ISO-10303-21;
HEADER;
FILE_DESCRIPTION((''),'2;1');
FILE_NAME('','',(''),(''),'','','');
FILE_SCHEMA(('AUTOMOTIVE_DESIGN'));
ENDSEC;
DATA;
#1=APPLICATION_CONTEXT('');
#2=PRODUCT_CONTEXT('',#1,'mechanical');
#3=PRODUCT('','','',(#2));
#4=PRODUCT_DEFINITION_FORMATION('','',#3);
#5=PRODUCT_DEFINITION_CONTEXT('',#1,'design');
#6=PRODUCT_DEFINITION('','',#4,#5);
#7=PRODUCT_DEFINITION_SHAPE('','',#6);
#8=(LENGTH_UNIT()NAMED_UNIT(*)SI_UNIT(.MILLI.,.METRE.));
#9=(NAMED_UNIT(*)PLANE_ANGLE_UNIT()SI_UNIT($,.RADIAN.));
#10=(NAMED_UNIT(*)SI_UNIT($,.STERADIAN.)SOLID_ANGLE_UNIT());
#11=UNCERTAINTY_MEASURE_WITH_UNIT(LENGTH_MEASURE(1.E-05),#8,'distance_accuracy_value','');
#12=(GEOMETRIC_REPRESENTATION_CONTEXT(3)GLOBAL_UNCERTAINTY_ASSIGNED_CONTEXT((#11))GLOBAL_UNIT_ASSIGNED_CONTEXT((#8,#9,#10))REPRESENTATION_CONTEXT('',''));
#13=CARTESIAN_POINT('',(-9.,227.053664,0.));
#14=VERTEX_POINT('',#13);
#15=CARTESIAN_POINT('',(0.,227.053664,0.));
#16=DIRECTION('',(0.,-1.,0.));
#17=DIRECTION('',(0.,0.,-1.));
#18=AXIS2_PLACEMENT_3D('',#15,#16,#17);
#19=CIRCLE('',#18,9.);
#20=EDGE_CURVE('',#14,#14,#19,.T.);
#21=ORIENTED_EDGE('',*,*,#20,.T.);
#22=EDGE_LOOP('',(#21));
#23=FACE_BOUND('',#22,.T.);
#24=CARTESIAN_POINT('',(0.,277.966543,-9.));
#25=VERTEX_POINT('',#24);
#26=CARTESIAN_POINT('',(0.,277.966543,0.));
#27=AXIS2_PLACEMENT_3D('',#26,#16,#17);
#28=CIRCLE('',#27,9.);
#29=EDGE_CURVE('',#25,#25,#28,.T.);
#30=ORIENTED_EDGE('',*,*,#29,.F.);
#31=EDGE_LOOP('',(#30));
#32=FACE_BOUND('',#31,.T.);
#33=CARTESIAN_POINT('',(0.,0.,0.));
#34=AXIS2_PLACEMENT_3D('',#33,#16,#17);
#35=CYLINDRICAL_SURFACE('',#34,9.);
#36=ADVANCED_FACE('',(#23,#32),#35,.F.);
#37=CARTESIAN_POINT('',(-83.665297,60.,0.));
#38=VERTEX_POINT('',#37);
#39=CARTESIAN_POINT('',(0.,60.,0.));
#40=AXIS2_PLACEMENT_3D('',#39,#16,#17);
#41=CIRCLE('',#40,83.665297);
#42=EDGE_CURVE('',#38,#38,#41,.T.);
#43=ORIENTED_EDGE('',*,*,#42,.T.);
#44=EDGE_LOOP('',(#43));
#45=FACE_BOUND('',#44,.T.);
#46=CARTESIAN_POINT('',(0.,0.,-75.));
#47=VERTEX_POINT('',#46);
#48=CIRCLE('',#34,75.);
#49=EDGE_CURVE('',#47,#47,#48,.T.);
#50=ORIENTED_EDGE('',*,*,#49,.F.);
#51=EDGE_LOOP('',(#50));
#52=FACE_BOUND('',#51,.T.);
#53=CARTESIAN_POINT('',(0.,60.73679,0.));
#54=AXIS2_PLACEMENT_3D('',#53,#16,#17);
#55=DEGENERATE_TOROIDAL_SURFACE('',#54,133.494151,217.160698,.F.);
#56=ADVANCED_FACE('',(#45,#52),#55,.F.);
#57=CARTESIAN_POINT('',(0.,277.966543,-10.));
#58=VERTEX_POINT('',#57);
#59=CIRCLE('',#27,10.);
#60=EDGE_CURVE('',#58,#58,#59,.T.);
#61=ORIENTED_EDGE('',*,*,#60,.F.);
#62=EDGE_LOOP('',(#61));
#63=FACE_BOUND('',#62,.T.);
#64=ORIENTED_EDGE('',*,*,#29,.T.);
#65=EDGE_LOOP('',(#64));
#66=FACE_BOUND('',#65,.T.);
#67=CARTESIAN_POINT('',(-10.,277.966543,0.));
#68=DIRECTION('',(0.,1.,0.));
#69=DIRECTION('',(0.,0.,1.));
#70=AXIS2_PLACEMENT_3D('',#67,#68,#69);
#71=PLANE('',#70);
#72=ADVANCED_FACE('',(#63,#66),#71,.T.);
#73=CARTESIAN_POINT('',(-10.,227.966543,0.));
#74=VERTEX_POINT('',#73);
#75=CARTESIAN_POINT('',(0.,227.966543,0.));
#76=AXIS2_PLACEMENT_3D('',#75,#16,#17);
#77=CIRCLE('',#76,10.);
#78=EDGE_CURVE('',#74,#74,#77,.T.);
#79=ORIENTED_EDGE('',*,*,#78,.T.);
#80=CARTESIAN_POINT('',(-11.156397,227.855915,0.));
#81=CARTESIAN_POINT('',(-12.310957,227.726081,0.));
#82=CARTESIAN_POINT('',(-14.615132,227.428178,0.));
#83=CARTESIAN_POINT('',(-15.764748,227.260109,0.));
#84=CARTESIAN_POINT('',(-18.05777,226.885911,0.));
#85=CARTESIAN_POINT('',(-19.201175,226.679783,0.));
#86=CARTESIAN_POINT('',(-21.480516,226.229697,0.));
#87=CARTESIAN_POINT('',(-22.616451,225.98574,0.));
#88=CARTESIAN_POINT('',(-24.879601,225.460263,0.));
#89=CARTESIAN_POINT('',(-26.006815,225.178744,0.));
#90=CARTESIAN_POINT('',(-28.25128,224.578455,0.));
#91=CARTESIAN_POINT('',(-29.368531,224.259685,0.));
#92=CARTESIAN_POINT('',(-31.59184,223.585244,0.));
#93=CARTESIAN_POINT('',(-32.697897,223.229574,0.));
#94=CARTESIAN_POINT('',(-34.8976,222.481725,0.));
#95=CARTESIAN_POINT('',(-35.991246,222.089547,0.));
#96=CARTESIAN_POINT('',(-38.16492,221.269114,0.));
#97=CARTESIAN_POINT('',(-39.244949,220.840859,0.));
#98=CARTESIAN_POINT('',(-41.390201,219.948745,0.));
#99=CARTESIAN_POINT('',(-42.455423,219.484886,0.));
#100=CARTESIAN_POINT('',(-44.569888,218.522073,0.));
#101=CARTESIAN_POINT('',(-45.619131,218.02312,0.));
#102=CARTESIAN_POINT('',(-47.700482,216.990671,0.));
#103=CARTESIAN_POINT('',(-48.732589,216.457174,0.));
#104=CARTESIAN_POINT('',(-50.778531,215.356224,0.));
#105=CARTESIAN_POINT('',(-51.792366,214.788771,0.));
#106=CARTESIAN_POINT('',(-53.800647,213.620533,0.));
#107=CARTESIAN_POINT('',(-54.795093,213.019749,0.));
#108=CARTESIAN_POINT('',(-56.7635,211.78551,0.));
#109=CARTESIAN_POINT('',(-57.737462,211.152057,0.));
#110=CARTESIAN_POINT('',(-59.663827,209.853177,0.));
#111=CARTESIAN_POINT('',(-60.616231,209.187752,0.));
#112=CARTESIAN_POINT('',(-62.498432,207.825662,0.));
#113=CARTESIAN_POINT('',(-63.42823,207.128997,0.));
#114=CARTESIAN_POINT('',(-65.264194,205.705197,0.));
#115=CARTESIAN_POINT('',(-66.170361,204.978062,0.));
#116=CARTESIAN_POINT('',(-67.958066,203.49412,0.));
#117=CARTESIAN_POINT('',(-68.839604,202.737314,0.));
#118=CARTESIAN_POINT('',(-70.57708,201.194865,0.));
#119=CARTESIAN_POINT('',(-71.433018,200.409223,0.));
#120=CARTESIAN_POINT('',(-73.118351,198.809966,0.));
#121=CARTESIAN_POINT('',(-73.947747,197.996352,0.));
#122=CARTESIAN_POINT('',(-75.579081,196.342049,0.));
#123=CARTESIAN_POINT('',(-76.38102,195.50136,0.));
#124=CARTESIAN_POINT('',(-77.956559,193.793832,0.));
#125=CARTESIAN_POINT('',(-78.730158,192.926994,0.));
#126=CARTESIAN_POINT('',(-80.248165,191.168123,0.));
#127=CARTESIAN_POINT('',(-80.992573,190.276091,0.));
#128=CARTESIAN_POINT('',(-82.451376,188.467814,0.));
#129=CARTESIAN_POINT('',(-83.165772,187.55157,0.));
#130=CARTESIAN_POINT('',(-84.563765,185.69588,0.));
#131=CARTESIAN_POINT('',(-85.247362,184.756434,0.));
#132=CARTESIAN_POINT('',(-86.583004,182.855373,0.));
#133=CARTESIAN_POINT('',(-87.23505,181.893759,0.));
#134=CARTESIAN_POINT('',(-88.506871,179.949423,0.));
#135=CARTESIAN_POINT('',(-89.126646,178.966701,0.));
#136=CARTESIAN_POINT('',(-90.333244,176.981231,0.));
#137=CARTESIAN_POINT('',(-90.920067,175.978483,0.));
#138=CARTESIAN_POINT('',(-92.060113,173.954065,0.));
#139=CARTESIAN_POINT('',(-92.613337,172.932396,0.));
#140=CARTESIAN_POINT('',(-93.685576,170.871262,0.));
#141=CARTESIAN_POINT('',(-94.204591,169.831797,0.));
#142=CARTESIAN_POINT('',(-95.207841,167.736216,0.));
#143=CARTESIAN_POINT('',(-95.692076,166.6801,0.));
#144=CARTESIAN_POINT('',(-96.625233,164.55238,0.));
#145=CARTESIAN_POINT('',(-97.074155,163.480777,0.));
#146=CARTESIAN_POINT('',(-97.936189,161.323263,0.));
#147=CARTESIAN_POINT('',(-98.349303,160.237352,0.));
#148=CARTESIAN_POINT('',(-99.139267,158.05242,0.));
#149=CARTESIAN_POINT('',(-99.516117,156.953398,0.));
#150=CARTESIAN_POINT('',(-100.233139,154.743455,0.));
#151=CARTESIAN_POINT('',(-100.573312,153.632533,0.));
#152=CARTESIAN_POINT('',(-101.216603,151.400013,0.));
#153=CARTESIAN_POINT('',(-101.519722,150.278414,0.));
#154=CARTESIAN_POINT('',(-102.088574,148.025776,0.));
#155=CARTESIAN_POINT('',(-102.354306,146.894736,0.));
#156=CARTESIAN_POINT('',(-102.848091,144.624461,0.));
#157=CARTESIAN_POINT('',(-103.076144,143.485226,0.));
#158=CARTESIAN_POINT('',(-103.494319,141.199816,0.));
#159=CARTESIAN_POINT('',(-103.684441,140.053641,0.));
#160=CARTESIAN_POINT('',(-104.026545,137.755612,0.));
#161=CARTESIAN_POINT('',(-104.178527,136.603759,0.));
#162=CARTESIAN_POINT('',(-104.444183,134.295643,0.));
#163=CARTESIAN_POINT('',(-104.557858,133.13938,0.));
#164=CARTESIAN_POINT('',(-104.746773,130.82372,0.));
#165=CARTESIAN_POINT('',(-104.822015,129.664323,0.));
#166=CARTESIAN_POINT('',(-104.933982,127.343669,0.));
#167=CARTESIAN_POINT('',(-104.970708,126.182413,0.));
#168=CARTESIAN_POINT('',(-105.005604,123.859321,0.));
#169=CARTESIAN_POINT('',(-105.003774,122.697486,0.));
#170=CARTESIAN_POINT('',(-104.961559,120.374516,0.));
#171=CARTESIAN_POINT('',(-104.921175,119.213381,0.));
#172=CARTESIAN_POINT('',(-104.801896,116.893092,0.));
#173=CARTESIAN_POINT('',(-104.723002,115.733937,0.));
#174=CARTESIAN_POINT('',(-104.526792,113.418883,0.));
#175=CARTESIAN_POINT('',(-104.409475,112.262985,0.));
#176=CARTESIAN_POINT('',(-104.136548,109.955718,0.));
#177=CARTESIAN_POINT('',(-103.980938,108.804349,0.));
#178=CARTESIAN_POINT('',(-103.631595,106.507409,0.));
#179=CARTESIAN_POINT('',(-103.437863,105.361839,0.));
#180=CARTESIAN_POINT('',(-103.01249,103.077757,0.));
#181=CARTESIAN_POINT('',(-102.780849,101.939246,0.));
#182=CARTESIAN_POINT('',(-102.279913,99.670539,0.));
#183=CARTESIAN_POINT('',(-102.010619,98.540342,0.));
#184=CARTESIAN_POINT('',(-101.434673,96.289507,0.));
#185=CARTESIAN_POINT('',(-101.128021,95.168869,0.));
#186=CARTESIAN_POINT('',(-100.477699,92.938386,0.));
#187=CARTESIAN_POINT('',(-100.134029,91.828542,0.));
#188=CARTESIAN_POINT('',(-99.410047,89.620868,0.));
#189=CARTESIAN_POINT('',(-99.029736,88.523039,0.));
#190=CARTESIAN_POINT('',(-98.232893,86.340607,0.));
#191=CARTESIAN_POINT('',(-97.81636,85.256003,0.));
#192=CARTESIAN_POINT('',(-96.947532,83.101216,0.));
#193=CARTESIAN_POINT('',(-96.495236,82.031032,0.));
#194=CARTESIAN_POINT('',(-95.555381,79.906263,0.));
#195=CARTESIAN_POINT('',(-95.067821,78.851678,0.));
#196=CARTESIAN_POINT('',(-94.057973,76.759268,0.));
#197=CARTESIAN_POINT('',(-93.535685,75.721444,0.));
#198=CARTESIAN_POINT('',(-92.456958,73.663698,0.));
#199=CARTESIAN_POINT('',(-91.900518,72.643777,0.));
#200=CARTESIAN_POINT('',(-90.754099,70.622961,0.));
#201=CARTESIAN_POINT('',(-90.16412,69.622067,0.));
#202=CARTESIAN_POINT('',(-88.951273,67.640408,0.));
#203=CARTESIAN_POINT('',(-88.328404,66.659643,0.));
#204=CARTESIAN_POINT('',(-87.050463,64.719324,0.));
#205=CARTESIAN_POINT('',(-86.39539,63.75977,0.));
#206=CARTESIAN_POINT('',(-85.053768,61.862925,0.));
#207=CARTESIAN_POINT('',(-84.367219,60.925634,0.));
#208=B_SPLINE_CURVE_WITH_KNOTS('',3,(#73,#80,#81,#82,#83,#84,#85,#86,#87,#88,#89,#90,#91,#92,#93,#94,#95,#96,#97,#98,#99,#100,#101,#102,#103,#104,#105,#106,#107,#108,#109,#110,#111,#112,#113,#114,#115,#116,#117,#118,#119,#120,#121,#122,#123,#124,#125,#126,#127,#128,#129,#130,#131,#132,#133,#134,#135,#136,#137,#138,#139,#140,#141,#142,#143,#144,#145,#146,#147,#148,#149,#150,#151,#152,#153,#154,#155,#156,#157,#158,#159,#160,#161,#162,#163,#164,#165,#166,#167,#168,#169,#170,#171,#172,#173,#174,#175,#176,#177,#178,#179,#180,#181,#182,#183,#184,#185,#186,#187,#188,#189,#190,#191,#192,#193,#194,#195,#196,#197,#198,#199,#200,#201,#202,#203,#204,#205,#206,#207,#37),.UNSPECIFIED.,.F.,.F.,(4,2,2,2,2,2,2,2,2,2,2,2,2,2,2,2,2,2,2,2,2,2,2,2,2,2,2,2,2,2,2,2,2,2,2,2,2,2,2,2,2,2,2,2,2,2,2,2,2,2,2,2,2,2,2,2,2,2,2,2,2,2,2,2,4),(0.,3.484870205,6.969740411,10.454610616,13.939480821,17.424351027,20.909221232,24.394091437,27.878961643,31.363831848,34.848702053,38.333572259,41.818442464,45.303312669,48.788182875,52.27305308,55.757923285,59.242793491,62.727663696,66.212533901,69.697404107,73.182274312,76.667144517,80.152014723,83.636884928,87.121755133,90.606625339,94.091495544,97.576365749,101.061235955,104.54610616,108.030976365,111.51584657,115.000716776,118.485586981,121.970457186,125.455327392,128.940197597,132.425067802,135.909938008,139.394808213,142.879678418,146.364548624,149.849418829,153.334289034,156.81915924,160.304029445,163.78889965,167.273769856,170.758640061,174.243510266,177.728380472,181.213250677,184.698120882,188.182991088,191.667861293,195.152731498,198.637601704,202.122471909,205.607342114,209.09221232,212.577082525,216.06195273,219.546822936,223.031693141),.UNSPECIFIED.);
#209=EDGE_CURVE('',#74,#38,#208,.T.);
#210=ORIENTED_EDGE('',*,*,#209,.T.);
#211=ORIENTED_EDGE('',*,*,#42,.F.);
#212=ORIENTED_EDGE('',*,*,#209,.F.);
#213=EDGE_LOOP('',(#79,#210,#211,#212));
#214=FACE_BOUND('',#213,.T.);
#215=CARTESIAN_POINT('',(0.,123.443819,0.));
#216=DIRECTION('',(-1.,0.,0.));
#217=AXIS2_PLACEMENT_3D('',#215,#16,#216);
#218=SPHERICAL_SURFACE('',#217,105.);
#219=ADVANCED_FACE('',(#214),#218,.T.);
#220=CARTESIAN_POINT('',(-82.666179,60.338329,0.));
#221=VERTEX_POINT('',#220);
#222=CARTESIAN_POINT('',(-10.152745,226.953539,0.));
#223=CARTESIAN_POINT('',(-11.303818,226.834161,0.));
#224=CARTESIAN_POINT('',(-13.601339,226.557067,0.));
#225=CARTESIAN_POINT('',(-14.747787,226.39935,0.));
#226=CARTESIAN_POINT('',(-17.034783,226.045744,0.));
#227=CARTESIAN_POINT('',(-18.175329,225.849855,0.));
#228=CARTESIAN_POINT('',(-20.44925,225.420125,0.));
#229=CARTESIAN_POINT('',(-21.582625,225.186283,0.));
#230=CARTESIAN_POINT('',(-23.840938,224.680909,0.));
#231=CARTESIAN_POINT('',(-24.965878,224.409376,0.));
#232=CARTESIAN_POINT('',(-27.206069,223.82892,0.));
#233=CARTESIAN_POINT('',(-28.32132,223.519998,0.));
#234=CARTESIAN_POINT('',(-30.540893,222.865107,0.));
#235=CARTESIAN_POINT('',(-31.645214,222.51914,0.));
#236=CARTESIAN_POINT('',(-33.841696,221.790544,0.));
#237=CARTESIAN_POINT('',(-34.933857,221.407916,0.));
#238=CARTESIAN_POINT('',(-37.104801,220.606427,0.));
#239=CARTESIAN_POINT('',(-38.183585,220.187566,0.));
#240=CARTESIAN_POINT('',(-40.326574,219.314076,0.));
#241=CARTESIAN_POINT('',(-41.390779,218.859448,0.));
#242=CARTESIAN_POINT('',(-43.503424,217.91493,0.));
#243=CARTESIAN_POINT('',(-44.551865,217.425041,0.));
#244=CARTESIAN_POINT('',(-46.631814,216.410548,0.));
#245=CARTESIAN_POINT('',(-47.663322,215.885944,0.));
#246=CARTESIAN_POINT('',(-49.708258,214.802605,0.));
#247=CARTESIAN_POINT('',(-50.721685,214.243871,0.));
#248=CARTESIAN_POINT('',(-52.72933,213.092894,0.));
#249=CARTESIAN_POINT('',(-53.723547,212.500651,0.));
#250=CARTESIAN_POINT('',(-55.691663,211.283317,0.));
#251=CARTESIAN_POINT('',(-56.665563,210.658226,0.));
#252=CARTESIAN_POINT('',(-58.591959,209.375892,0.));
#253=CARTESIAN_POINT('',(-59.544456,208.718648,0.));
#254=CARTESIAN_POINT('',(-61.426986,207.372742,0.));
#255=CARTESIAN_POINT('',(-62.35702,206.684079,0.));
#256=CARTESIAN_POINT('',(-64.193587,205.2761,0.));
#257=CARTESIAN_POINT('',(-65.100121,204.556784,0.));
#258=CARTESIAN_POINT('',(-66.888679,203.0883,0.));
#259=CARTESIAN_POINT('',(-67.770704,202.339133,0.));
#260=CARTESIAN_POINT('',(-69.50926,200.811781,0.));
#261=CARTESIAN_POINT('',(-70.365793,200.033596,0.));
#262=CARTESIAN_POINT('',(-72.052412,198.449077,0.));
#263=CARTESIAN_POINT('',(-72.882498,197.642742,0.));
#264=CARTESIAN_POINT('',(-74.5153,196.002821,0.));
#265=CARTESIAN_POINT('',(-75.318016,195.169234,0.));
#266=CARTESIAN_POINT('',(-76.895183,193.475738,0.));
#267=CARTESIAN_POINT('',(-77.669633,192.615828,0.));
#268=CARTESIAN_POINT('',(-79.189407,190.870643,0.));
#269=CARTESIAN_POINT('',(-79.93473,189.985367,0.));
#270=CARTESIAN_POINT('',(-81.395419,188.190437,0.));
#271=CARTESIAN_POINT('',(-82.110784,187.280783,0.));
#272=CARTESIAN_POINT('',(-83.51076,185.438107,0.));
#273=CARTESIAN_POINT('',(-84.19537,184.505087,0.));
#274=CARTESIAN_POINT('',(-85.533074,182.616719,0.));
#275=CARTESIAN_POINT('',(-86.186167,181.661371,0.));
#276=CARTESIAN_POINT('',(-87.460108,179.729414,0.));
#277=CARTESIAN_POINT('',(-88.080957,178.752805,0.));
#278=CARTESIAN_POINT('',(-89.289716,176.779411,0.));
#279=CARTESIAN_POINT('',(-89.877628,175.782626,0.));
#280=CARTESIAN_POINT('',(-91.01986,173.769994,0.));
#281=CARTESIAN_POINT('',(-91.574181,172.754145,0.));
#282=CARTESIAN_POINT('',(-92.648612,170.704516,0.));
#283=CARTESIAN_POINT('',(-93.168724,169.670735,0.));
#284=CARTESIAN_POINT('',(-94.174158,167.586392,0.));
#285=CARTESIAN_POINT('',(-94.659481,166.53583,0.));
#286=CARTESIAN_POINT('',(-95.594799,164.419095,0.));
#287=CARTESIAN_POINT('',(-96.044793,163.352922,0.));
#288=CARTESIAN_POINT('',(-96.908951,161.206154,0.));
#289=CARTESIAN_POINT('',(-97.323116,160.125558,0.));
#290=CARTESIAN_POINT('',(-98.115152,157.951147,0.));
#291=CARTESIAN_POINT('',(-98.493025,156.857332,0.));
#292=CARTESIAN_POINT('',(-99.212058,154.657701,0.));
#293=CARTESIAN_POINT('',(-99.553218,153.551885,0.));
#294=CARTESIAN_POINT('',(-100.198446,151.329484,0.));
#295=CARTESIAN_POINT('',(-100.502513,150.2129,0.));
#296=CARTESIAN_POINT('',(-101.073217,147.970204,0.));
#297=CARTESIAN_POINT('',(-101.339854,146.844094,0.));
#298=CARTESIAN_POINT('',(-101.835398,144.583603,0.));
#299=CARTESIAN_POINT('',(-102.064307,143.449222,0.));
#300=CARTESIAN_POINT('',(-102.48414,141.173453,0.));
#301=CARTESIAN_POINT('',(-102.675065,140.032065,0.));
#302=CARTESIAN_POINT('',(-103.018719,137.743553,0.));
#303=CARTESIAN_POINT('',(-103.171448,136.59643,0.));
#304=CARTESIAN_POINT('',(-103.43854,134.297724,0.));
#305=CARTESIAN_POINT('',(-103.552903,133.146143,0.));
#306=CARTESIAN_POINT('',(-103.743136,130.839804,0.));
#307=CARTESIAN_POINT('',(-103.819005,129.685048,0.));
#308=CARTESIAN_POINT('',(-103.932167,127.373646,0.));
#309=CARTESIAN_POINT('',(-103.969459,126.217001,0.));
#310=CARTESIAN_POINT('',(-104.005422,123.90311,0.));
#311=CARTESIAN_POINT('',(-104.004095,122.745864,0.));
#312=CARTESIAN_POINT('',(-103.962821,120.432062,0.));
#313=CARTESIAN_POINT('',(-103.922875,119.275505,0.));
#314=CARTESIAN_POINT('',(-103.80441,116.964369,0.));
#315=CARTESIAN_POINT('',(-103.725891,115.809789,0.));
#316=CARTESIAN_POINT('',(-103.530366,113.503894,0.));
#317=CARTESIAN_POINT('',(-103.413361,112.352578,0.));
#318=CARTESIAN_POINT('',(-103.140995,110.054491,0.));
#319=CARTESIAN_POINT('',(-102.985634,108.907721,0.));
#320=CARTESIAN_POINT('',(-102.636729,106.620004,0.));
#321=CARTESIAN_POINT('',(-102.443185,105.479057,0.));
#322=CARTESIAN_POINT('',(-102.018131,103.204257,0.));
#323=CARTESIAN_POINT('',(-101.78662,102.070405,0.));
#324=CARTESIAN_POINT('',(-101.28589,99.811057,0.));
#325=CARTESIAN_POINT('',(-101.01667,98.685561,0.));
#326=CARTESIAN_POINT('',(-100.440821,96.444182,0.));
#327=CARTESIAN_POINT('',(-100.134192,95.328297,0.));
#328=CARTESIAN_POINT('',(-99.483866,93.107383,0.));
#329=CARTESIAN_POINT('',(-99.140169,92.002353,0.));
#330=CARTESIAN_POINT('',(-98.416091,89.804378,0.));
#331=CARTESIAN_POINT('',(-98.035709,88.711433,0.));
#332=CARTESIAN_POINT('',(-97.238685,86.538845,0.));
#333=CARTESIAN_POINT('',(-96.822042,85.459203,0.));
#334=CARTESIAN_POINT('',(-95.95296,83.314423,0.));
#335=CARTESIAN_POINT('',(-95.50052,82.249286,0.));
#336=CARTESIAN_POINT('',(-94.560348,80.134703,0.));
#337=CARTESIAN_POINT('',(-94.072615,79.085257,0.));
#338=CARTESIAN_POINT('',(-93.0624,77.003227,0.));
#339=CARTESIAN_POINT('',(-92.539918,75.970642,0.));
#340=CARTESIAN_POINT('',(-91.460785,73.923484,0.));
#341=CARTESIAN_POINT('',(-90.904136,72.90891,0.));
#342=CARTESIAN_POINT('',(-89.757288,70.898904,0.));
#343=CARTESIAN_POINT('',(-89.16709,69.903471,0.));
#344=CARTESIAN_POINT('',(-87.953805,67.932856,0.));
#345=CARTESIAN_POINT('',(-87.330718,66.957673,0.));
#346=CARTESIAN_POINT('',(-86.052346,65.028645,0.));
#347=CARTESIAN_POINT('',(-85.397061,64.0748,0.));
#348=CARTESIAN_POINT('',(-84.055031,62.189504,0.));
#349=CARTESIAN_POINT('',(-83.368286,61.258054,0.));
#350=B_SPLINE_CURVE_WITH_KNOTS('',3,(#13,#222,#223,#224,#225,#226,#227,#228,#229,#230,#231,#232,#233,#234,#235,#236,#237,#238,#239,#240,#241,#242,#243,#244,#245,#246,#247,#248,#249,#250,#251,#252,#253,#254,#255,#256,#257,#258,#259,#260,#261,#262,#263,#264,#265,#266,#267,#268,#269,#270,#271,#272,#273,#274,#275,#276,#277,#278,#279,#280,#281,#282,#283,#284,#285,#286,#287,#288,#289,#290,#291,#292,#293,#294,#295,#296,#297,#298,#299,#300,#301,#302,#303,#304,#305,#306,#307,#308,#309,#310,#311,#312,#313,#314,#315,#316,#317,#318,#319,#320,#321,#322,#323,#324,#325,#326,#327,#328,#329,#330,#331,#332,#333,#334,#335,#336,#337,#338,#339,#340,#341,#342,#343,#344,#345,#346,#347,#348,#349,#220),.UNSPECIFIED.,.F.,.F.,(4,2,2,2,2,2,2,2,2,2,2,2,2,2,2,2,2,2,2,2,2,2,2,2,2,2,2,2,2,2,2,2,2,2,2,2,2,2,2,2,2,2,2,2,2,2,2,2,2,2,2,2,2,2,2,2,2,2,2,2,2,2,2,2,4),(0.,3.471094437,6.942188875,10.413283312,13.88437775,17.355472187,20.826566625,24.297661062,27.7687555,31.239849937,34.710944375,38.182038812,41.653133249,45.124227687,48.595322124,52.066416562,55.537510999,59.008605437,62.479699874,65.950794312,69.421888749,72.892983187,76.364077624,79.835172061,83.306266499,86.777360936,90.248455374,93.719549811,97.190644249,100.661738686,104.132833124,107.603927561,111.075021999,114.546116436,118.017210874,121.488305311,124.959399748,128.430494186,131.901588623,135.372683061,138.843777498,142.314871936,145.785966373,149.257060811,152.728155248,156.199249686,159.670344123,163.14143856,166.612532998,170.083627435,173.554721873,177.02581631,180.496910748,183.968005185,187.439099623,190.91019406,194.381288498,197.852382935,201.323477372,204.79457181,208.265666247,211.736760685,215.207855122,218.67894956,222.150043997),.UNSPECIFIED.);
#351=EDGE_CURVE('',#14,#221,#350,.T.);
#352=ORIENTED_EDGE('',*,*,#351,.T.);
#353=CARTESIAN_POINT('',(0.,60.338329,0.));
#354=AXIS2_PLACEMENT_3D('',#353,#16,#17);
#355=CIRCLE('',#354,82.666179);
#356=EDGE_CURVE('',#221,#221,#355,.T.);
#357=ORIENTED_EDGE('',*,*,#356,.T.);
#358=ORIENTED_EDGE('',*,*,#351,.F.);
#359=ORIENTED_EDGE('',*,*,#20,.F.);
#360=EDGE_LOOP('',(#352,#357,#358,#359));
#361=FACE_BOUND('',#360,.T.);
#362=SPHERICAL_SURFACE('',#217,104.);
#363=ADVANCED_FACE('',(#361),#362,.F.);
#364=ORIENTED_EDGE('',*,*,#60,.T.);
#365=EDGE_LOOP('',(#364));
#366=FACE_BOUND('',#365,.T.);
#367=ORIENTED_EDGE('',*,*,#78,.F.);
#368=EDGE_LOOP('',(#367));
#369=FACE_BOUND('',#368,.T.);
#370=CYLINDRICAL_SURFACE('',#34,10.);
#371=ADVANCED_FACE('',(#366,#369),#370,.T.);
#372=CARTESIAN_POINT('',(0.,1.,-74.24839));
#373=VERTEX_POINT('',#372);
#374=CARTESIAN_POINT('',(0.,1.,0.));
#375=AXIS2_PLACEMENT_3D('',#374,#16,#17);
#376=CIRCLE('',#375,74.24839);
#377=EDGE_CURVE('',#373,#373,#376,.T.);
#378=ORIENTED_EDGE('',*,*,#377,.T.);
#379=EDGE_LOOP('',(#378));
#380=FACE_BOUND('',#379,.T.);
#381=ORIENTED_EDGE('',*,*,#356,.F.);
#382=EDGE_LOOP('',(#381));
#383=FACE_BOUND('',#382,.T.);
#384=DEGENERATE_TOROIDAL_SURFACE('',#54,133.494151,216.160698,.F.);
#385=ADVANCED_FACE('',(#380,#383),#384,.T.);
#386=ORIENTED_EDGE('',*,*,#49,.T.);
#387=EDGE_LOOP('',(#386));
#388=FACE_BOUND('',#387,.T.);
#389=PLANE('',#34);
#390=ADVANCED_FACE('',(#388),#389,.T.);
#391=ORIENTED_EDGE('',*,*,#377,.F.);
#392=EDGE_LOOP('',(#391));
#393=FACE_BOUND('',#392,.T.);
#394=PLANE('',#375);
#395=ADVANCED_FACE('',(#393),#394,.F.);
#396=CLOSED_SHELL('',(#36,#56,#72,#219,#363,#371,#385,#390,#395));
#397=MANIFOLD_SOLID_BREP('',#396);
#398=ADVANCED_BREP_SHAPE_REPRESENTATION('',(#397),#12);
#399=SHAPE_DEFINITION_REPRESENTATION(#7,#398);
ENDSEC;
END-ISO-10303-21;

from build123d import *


with BuildPart() as part:
    # Sketch1 → Revolve-Thin1 (revolve)
    with BuildSketch(Plane.XY):
        with BuildLine():
            Line((0, 0), (-75, 0))
            ThreePointArc((-75, 0), (-81.436643777, 29.696137594), (-83.665296811, 60))
            ThreePointArc((-83.665296811, 60), (-96.158654713, 165.616239893), (-10, 227.96654333))
            Line((-10, 227.96654333), (-10, 277.96654333))
            Line((-10, 277.96654333), (-9, 277.96654333))
            Line((-9, 277.96654333), (-9, 227.053663621))
            ThreePointArc((-9, 227.053663621), (-95.127140134, 165.477462314), (-82.666179465, 60.338329285))
            ThreePointArc((-82.666179465, 60.338329285), (-80.523769647, 30.37601117), (-74.248389625, 1))
            Line((-74.248389625, 1), (0, 1))
            Line((0, 1), (0, 0))
        make_face()
    revolve(axis=Axis((0, 0, 0), (0, 1, 0)))


solid = part.part
